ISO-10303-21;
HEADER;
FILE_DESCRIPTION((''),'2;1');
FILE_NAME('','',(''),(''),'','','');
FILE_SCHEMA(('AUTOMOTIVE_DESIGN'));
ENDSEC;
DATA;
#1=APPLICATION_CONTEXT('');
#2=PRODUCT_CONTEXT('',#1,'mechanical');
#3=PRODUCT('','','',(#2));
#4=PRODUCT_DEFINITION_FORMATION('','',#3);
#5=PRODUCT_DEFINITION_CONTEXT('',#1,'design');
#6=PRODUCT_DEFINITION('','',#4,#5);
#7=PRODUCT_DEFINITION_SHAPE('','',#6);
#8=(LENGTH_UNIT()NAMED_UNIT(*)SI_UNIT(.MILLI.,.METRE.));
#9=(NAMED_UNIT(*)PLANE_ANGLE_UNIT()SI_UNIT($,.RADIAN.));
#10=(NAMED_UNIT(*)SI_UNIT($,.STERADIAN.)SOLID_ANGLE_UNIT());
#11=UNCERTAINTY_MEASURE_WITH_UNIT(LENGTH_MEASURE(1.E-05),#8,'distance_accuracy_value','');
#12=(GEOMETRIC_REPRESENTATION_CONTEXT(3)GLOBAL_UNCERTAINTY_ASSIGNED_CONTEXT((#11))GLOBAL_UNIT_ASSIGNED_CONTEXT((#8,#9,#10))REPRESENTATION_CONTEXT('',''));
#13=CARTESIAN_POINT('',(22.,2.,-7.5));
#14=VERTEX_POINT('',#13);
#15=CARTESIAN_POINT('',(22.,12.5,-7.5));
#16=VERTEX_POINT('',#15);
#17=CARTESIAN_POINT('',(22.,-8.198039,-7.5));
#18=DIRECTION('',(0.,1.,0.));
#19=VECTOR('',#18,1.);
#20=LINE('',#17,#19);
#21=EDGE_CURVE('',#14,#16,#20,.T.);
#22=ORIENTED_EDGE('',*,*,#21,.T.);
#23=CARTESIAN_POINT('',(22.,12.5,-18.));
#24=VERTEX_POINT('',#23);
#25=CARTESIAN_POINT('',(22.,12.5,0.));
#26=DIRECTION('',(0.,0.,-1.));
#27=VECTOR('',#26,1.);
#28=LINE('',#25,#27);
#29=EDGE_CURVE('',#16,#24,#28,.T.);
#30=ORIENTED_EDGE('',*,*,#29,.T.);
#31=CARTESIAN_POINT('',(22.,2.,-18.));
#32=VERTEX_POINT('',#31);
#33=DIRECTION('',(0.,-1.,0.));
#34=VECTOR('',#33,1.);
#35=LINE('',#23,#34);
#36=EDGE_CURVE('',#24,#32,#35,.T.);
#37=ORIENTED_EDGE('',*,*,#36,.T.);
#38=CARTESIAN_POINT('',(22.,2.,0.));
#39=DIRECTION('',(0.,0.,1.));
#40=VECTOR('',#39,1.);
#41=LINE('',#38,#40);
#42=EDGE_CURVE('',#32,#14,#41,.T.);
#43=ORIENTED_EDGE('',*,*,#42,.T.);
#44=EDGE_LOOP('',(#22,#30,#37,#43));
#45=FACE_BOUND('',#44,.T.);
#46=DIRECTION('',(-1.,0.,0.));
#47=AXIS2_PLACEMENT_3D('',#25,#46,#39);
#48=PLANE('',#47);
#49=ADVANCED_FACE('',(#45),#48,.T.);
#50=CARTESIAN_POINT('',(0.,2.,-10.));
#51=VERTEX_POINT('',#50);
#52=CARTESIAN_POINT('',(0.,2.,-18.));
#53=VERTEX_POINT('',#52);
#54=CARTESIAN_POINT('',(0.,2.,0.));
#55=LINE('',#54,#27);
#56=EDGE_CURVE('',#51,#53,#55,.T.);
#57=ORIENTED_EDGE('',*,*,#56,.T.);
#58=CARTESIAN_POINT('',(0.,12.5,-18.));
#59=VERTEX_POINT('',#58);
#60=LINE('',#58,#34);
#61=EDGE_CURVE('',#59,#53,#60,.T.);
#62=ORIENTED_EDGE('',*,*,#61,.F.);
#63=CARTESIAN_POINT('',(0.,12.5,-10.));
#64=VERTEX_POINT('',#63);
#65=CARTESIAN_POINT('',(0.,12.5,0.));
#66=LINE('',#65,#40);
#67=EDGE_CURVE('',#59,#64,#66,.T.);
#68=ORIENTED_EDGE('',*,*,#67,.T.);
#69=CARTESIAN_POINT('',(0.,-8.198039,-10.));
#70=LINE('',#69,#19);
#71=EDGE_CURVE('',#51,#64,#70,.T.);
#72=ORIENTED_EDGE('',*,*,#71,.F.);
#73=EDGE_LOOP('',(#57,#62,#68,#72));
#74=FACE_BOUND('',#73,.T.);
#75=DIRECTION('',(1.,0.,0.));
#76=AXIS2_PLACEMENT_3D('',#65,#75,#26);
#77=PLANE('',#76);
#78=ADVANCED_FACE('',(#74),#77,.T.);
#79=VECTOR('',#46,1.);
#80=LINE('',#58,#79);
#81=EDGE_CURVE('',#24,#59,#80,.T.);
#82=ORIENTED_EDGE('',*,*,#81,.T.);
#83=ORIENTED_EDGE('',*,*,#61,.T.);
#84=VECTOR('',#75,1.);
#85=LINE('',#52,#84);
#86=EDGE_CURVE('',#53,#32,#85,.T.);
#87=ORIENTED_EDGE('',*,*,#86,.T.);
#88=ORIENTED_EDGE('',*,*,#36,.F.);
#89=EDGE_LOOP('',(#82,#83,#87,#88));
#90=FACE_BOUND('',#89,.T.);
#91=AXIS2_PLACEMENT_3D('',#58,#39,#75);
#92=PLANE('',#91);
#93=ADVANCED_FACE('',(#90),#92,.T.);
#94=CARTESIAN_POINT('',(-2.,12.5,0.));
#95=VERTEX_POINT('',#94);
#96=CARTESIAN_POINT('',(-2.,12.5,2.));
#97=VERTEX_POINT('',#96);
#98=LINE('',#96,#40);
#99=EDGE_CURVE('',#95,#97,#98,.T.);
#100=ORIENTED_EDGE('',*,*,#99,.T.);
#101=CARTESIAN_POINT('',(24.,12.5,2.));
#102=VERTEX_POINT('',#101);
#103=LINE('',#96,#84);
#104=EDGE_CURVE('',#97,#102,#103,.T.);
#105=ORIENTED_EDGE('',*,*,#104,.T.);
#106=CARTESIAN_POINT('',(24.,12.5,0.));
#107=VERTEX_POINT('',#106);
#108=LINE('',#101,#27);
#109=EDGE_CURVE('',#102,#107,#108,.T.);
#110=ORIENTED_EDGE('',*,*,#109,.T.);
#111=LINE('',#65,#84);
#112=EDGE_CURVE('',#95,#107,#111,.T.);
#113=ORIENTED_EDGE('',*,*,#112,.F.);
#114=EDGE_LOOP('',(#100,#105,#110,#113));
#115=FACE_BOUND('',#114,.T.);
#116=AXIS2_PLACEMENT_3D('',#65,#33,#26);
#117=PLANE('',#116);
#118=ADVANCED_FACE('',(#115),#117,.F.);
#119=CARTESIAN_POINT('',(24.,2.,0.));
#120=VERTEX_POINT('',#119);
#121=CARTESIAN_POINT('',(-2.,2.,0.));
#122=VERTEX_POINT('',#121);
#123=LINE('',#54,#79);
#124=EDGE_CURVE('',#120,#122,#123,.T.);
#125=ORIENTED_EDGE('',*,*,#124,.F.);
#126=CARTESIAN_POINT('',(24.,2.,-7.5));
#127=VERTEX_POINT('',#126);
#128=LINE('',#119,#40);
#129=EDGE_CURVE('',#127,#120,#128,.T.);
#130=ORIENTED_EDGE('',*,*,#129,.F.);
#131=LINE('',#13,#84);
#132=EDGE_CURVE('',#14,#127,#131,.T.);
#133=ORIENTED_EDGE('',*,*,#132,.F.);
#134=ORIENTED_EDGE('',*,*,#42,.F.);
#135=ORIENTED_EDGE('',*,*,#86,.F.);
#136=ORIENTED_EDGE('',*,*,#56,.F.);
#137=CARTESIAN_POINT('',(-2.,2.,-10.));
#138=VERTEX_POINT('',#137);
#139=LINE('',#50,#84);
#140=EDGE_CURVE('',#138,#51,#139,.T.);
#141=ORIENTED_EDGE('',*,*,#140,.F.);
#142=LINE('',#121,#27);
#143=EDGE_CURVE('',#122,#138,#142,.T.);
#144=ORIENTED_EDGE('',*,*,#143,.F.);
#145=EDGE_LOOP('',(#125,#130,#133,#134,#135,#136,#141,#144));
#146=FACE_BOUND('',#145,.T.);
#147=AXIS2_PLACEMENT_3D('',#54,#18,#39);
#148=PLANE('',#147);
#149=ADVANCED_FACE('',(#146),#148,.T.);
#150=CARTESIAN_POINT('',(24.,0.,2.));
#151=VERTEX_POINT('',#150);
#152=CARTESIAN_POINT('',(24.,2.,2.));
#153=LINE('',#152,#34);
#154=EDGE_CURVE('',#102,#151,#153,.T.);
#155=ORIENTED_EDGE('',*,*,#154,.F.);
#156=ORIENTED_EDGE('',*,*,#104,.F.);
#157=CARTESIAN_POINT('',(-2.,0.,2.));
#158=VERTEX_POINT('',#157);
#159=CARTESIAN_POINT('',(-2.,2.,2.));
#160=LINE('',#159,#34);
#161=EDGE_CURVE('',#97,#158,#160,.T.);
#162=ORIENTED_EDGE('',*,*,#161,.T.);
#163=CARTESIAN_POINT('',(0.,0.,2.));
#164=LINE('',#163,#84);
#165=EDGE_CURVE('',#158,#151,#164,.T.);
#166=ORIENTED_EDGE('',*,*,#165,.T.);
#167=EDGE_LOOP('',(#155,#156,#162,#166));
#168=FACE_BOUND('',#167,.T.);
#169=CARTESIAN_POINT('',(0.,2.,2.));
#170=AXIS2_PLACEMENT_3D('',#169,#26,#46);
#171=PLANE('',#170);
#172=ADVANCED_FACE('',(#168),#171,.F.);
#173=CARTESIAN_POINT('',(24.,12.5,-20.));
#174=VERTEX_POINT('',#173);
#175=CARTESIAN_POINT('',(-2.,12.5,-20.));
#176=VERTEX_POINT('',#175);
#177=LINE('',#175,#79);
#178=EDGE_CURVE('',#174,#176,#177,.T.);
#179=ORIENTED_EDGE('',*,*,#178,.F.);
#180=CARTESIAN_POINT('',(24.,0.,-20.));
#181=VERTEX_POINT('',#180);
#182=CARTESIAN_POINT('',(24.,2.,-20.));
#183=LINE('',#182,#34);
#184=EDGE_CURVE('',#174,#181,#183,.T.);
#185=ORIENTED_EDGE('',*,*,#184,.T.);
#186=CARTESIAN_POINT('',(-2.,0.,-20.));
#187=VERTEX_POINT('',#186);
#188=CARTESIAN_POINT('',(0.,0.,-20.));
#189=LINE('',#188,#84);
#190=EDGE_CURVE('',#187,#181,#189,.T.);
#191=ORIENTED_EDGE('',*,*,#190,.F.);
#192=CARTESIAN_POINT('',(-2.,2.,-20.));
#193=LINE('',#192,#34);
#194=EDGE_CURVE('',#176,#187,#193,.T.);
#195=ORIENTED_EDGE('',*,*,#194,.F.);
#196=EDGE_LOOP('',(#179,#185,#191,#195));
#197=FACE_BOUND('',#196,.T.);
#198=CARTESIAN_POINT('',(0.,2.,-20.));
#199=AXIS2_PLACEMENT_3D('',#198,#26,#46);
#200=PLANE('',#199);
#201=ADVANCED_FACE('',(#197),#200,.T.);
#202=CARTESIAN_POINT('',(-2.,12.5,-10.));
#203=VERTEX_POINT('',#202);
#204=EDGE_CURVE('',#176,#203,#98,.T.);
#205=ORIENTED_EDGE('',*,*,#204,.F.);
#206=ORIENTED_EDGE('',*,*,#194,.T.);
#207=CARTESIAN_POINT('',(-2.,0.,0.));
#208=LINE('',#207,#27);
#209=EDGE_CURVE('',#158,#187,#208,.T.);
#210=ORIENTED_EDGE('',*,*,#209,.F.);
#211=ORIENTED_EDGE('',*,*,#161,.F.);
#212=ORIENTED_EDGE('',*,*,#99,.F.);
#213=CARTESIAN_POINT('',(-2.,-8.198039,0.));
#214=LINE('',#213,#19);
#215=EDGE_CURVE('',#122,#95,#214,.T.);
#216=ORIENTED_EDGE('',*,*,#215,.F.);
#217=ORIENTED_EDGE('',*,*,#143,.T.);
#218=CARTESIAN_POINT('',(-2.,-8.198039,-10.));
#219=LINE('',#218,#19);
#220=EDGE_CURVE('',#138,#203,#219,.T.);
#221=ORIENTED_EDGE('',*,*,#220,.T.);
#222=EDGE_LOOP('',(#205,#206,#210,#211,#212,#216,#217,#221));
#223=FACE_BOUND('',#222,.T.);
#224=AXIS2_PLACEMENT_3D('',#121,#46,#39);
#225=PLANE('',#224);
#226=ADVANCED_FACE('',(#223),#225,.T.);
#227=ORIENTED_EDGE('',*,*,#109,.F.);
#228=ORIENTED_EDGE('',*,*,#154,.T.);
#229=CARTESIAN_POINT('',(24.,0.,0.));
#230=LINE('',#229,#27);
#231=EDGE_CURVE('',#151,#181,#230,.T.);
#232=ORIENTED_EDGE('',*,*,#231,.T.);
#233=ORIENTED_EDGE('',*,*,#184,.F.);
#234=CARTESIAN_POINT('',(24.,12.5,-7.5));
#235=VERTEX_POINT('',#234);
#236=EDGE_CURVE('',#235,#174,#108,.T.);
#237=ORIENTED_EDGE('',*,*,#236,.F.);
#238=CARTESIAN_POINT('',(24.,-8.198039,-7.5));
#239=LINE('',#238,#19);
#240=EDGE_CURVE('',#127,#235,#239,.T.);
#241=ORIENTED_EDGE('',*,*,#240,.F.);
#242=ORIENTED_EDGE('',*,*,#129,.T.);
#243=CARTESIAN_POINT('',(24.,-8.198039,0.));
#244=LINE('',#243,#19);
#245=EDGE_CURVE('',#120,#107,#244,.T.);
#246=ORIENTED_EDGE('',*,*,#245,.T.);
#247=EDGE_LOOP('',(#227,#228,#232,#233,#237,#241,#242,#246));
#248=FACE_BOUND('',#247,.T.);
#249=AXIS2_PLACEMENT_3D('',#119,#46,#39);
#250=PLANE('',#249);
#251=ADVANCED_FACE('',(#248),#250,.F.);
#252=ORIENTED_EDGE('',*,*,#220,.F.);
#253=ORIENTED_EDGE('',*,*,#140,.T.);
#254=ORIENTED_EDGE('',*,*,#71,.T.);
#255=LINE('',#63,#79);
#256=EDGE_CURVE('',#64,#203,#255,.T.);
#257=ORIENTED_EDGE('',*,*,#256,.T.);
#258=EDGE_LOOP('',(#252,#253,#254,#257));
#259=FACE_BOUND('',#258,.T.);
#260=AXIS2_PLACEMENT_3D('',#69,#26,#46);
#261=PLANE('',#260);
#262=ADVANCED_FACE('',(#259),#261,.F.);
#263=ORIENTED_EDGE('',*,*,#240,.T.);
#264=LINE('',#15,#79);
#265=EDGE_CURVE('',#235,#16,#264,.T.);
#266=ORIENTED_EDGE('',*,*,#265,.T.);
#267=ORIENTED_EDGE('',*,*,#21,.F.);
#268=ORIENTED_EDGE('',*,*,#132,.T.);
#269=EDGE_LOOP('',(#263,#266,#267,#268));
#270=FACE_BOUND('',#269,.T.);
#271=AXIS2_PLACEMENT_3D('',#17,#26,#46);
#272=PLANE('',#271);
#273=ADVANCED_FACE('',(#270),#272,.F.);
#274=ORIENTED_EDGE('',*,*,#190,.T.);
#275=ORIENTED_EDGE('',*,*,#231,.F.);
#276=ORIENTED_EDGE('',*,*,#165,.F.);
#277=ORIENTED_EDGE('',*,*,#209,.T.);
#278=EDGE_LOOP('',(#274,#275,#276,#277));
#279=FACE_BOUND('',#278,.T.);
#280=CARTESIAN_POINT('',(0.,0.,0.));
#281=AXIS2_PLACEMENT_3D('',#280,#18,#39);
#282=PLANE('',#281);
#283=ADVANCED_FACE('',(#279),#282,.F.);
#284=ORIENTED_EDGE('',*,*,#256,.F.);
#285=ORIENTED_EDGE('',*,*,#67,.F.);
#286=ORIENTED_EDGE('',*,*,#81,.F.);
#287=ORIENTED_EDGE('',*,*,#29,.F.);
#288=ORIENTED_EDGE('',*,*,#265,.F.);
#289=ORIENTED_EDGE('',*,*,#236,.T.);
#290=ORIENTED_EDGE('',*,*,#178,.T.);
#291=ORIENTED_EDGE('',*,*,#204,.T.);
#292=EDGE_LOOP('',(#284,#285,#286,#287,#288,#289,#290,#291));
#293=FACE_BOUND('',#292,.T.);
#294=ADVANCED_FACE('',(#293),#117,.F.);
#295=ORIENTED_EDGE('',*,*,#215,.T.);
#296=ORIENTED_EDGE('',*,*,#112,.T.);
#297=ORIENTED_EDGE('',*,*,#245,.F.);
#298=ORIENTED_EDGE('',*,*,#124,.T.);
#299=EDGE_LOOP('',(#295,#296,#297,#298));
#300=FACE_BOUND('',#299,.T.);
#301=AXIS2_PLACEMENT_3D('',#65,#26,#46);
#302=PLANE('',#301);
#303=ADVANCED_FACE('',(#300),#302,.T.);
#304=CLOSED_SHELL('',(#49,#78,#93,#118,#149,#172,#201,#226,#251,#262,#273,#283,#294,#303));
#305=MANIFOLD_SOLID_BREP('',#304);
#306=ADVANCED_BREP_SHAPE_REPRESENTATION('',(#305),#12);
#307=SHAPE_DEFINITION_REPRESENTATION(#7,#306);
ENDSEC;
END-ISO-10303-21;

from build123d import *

# Parameters (mm, degrees)
SKETCH1_W           = 26
SKETCH1_H           = 22
SKETCH1_W_2         = 22
SKETCH1_H_2         = 18
BOSS_EXTRUDE1_DEPTH = 2
SKETCH1_3_W         = 26
SKETCH1_3_H         = 22
SKETCH1_3_W_2       = 22
SKETCH1_3_H_2       = 18
BOSS_EXTRUDE2_DEPTH = 12.5
SKETCH2_W           = 2
SKETCH2_H           = 10
SKETCH2_H_2         = 7.5
CUT_EXTRUDE1_DEPTH  = 10.5


with BuildPart() as part:
    # Sketch1 → Boss-Extrude1 (new body)
    # profile 1 of 2: a face of its own
    with BuildSketch(Plane(origin=(0, 0, 0), x_dir=(1, 0, 0), z_dir=(0, 1, 0))):
        with Locations((11, 9)):
            Rectangle(SKETCH1_W, SKETCH1_H)
        with Locations((11, 9)):
            Rectangle(SKETCH1_W_2, SKETCH1_H_2, mode=Mode.SUBTRACT)
    # profile 2 of 2: a face of its own
    with BuildSketch(Plane(origin=(0, 0, 0), x_dir=(1, 0, 0), z_dir=(0, 1, 0))):
        with Locations((11, 9)):
            Rectangle(SKETCH1_W_2, SKETCH1_H_2)
    extrude(amount=BOSS_EXTRUDE1_DEPTH)

    # Sketch1<3> → Boss-Extrude2 (add)
    with BuildSketch(Plane(origin=(0, 0, 0), x_dir=(1, 0, 0), z_dir=(0, 1, 0))):
        with Locations((11, 9)):
            Rectangle(SKETCH1_3_W, SKETCH1_3_H)
        with Locations((11, 9)):
            Rectangle(SKETCH1_3_W_2, SKETCH1_3_H_2, mode=Mode.SUBTRACT)
    extrude(amount=BOSS_EXTRUDE2_DEPTH)

    # Sketch2 → Cut-Extrude1 (cut)
    with BuildSketch(Plane(origin=(0, 12.5, 0), x_dir=(1, 0, 0), z_dir=(0, 1, 0))):
        with Locations((-1, 5)):
            Rectangle(SKETCH2_W, SKETCH2_H)
        with Locations((23, 3.75)):
            Rectangle(SKETCH2_W, SKETCH2_H_2)
    extrude(amount=-CUT_EXTRUDE1_DEPTH, mode=Mode.SUBTRACT)


solid = part.part
